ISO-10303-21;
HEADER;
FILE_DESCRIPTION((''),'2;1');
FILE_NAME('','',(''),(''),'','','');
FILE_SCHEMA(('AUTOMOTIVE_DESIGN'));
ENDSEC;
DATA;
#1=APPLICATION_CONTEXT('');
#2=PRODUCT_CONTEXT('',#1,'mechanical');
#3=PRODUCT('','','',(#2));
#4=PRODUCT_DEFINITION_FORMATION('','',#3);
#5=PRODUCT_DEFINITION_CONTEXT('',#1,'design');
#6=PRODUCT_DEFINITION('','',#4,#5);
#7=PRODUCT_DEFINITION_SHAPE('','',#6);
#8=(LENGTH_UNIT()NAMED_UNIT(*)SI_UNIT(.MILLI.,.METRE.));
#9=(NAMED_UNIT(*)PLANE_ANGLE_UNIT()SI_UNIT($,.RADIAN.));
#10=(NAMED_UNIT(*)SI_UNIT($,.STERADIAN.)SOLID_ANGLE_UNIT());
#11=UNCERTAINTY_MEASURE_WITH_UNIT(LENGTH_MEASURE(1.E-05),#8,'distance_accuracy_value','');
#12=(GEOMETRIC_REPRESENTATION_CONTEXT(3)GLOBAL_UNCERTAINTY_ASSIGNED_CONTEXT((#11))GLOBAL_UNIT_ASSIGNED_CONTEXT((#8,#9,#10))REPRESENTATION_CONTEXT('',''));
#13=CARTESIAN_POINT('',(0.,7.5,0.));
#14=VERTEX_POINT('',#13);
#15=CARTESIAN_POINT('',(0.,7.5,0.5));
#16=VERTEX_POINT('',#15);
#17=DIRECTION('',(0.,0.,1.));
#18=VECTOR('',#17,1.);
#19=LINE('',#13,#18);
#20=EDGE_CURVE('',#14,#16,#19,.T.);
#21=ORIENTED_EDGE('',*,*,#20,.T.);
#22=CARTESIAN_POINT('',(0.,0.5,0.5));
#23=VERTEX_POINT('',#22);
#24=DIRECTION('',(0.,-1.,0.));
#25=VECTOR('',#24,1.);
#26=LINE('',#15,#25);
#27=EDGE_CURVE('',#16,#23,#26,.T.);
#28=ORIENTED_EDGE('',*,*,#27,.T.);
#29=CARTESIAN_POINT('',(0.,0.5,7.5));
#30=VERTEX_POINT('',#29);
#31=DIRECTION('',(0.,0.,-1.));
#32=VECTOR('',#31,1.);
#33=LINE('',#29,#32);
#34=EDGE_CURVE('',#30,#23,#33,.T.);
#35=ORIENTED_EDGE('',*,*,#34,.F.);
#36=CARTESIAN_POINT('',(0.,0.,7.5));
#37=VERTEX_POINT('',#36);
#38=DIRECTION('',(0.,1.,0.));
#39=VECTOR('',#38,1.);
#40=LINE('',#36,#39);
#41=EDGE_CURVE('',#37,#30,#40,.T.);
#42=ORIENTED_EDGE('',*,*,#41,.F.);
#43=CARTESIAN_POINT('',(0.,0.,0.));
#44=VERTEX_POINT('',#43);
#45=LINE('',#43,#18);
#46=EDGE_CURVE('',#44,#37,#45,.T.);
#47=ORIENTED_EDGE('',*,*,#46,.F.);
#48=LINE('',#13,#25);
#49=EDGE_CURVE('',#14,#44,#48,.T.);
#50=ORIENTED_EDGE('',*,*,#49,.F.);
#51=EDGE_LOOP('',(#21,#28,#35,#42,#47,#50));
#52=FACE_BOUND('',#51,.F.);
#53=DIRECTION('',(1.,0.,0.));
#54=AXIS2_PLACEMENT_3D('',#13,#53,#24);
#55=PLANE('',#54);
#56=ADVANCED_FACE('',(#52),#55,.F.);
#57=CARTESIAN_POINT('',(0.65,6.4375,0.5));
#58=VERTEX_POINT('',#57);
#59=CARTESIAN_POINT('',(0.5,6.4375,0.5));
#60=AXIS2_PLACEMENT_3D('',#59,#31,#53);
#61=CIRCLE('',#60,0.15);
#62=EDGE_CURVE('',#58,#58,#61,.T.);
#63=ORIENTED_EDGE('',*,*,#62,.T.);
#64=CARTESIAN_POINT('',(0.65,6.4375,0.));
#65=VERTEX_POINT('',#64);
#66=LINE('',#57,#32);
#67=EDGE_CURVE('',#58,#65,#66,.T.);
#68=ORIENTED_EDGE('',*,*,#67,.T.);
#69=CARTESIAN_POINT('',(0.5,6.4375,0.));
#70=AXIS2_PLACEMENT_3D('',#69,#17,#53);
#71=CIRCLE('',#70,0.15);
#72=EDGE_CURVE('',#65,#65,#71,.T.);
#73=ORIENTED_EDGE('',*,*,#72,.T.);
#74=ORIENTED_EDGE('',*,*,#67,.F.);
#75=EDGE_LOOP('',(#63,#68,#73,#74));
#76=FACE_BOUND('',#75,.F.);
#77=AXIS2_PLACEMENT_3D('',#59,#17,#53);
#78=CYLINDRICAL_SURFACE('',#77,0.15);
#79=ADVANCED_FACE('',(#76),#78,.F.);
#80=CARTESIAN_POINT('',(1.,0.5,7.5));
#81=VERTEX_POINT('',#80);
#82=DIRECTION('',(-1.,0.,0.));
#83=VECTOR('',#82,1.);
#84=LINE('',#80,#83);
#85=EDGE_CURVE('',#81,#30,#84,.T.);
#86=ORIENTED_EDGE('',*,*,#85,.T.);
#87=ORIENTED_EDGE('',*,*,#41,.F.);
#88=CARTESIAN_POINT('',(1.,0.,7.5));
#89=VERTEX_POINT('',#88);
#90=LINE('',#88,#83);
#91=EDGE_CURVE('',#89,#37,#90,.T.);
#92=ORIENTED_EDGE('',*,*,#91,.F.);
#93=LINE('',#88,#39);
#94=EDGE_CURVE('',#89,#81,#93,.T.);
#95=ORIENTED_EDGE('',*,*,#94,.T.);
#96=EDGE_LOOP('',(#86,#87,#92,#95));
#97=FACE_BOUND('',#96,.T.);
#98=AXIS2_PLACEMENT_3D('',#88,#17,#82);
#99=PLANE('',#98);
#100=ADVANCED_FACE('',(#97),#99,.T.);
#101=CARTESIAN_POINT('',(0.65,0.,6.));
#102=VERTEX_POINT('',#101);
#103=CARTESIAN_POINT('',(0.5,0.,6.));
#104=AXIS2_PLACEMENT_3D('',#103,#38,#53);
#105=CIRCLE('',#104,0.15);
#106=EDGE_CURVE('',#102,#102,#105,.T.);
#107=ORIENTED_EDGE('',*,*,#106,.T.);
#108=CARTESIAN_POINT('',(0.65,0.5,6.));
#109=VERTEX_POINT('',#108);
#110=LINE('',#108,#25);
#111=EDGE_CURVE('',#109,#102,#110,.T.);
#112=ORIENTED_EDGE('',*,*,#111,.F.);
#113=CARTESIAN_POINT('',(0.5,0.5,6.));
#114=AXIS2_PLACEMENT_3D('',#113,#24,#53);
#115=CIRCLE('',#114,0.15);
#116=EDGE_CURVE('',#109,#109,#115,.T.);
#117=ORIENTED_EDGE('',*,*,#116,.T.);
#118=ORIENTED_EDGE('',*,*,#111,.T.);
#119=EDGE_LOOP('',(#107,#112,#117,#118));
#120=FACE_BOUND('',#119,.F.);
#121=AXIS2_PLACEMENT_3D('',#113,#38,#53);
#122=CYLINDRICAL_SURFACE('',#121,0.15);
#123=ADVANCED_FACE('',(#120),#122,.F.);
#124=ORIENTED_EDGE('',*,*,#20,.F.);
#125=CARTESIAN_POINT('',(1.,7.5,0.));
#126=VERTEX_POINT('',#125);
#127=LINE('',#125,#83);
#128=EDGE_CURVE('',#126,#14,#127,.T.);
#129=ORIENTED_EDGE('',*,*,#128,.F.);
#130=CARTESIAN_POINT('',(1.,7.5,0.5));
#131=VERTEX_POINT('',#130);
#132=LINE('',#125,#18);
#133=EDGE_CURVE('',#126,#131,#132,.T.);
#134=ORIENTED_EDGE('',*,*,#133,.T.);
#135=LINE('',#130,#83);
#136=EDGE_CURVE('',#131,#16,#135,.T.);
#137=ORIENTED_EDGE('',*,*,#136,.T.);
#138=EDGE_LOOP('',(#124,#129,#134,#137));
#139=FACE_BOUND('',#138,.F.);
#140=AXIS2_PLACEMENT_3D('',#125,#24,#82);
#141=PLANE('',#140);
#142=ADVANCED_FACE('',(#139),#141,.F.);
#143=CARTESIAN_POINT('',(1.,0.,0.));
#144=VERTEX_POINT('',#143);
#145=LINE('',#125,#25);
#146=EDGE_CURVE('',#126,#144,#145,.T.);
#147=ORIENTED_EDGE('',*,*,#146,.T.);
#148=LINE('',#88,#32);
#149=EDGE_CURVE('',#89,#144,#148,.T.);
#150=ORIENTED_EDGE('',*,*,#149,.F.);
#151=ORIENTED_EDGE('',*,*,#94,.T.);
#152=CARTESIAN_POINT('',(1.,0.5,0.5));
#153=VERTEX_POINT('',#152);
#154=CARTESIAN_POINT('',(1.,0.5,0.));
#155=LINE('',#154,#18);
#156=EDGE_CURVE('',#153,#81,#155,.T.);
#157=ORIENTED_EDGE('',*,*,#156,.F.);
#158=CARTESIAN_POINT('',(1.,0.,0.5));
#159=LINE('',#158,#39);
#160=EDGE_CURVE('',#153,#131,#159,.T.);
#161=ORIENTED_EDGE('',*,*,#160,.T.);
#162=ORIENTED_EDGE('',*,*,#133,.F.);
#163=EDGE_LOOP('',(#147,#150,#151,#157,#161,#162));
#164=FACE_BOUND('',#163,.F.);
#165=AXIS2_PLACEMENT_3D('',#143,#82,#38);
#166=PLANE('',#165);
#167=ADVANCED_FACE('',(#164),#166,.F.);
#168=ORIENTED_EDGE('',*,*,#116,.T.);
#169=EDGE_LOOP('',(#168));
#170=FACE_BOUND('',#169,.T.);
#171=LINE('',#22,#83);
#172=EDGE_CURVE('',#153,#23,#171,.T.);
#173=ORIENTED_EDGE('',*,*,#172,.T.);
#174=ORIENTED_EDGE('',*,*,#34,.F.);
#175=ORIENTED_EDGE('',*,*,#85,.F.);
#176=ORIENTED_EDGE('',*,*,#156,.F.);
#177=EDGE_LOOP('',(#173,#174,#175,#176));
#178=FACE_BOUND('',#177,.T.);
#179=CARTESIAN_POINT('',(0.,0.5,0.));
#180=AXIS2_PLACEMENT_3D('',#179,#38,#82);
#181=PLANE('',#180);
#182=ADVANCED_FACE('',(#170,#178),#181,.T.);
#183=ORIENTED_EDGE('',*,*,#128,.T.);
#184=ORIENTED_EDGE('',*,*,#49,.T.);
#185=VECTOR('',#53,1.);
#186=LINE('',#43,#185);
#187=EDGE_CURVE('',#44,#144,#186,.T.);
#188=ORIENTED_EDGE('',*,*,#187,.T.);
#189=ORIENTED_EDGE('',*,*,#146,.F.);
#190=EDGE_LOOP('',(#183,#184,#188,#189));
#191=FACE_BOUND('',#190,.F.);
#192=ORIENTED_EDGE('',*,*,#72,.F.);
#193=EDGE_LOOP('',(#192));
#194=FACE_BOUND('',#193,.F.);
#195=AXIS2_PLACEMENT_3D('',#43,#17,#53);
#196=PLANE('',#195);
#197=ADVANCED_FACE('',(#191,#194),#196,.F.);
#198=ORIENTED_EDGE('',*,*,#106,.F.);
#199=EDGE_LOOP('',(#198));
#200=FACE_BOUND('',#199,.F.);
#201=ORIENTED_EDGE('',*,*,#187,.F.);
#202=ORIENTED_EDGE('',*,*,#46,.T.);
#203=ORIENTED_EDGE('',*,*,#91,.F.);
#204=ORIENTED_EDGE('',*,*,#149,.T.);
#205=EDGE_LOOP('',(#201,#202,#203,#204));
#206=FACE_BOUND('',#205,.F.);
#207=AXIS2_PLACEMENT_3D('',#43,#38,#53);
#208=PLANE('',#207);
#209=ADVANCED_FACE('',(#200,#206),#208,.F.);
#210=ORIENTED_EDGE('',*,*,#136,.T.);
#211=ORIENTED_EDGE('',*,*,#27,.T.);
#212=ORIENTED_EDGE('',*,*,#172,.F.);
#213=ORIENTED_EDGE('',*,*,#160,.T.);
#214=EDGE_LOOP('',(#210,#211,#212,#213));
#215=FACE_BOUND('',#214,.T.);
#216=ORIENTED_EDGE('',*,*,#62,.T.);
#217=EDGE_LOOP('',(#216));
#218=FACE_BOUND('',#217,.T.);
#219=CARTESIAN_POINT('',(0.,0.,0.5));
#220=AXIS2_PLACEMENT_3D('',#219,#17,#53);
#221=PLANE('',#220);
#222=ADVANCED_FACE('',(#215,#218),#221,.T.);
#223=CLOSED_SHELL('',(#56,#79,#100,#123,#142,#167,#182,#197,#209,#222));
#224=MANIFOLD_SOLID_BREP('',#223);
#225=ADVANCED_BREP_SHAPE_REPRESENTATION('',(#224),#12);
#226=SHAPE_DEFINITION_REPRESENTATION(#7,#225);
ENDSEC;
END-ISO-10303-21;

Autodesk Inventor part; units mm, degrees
ref_plane "YZ Plane" through (0, 0, 0) normal (1, 0, 0) x (0, 1, 0)
ref_plane "XZ Plane" through (0, 0, 0) normal (0, 1, 0) x (-1, 0, 0)
ref_plane "XY Plane" through (0, 0, 0) normal (0, 0, 1) x (1, 0, 0)
sketch "Sketch1" plane through (0, 0, 0) normal (0, 0, 1) x (1, 0, 0)
  line L0 (0, 0) -> (1, 0)
  line L1 (1, 0) -> (1, 7.5)
  line L2 (1, 7.5) -> (0, 7.5)
  line L3 (0, 7.5) -> (0, 0)
  dimension "d0" = 1
  dimension "d1" = 7.5
extrude "Extrusion1" add sketch "Sketch1" along normal blind 0.5
sketch "Sketch2" plane through (0, 0, 0) normal (-1, 0, 0) x (0, 0, 1)
  point P0 (0, 0)
sketch "Sketch3" plane through (0, 0, 0) normal (0, 1, 0) x (-1, 0, 0)
  line L0 (0, 0) -> (-1, 0) projected
  line L1 (0, 0) -> (-1, 0)
  line L2 (-1, 0) -> (-1, 7.5)
  line L3 (-1, 7.5) -> (0, 7.5)
  line L4 (0, 7.5) -> (0, 0)
  dimension "d4" = 1
  dimension "d5" = 7.5
extrude "Extrusion2" add sketch "Sketch3" along normal blind 0.5
sketch "Sketch4" plane through (0, 0, 0.5) normal (0, 0, 1) x (1, 0, 0)
  line L0 (0, 7.9375) -> (0, 6.4375)
  line L1 (0, 6.4375) -> (0.5, 6.4375)
  circle A0 centre (0.5, 6.4375) radius 0.15
  point P0 (0, 0)
  dimension "d8" = 1.5
  dimension "d9" = 0.5
  dimension "d10" = 0.3
extrude "Extrusion3" cut sketch "Sketch4" against normal through all
sketch "Sketch5" plane through (0, 0.5, 0) normal (0, 1, 0) x (1, 0, 0)
  line L0 (0, 0) -> (0, -7.5) projected
  line L1 (0, -7.5) -> (0, -6)
  line L2 (0, -6) -> (0.5, -6)
  line L3 (1, 0) -> (1, -7.5) projected
  circle A0 centre (0.5, -6) radius 0.15
  dimension "d13" = 1.5
  dimension "d14" = 0.5
  dimension "d15" = 0.3
extrude "Extrusion4" cut sketch "Sketch5" against normal through all
properties part number "CLAMP"
